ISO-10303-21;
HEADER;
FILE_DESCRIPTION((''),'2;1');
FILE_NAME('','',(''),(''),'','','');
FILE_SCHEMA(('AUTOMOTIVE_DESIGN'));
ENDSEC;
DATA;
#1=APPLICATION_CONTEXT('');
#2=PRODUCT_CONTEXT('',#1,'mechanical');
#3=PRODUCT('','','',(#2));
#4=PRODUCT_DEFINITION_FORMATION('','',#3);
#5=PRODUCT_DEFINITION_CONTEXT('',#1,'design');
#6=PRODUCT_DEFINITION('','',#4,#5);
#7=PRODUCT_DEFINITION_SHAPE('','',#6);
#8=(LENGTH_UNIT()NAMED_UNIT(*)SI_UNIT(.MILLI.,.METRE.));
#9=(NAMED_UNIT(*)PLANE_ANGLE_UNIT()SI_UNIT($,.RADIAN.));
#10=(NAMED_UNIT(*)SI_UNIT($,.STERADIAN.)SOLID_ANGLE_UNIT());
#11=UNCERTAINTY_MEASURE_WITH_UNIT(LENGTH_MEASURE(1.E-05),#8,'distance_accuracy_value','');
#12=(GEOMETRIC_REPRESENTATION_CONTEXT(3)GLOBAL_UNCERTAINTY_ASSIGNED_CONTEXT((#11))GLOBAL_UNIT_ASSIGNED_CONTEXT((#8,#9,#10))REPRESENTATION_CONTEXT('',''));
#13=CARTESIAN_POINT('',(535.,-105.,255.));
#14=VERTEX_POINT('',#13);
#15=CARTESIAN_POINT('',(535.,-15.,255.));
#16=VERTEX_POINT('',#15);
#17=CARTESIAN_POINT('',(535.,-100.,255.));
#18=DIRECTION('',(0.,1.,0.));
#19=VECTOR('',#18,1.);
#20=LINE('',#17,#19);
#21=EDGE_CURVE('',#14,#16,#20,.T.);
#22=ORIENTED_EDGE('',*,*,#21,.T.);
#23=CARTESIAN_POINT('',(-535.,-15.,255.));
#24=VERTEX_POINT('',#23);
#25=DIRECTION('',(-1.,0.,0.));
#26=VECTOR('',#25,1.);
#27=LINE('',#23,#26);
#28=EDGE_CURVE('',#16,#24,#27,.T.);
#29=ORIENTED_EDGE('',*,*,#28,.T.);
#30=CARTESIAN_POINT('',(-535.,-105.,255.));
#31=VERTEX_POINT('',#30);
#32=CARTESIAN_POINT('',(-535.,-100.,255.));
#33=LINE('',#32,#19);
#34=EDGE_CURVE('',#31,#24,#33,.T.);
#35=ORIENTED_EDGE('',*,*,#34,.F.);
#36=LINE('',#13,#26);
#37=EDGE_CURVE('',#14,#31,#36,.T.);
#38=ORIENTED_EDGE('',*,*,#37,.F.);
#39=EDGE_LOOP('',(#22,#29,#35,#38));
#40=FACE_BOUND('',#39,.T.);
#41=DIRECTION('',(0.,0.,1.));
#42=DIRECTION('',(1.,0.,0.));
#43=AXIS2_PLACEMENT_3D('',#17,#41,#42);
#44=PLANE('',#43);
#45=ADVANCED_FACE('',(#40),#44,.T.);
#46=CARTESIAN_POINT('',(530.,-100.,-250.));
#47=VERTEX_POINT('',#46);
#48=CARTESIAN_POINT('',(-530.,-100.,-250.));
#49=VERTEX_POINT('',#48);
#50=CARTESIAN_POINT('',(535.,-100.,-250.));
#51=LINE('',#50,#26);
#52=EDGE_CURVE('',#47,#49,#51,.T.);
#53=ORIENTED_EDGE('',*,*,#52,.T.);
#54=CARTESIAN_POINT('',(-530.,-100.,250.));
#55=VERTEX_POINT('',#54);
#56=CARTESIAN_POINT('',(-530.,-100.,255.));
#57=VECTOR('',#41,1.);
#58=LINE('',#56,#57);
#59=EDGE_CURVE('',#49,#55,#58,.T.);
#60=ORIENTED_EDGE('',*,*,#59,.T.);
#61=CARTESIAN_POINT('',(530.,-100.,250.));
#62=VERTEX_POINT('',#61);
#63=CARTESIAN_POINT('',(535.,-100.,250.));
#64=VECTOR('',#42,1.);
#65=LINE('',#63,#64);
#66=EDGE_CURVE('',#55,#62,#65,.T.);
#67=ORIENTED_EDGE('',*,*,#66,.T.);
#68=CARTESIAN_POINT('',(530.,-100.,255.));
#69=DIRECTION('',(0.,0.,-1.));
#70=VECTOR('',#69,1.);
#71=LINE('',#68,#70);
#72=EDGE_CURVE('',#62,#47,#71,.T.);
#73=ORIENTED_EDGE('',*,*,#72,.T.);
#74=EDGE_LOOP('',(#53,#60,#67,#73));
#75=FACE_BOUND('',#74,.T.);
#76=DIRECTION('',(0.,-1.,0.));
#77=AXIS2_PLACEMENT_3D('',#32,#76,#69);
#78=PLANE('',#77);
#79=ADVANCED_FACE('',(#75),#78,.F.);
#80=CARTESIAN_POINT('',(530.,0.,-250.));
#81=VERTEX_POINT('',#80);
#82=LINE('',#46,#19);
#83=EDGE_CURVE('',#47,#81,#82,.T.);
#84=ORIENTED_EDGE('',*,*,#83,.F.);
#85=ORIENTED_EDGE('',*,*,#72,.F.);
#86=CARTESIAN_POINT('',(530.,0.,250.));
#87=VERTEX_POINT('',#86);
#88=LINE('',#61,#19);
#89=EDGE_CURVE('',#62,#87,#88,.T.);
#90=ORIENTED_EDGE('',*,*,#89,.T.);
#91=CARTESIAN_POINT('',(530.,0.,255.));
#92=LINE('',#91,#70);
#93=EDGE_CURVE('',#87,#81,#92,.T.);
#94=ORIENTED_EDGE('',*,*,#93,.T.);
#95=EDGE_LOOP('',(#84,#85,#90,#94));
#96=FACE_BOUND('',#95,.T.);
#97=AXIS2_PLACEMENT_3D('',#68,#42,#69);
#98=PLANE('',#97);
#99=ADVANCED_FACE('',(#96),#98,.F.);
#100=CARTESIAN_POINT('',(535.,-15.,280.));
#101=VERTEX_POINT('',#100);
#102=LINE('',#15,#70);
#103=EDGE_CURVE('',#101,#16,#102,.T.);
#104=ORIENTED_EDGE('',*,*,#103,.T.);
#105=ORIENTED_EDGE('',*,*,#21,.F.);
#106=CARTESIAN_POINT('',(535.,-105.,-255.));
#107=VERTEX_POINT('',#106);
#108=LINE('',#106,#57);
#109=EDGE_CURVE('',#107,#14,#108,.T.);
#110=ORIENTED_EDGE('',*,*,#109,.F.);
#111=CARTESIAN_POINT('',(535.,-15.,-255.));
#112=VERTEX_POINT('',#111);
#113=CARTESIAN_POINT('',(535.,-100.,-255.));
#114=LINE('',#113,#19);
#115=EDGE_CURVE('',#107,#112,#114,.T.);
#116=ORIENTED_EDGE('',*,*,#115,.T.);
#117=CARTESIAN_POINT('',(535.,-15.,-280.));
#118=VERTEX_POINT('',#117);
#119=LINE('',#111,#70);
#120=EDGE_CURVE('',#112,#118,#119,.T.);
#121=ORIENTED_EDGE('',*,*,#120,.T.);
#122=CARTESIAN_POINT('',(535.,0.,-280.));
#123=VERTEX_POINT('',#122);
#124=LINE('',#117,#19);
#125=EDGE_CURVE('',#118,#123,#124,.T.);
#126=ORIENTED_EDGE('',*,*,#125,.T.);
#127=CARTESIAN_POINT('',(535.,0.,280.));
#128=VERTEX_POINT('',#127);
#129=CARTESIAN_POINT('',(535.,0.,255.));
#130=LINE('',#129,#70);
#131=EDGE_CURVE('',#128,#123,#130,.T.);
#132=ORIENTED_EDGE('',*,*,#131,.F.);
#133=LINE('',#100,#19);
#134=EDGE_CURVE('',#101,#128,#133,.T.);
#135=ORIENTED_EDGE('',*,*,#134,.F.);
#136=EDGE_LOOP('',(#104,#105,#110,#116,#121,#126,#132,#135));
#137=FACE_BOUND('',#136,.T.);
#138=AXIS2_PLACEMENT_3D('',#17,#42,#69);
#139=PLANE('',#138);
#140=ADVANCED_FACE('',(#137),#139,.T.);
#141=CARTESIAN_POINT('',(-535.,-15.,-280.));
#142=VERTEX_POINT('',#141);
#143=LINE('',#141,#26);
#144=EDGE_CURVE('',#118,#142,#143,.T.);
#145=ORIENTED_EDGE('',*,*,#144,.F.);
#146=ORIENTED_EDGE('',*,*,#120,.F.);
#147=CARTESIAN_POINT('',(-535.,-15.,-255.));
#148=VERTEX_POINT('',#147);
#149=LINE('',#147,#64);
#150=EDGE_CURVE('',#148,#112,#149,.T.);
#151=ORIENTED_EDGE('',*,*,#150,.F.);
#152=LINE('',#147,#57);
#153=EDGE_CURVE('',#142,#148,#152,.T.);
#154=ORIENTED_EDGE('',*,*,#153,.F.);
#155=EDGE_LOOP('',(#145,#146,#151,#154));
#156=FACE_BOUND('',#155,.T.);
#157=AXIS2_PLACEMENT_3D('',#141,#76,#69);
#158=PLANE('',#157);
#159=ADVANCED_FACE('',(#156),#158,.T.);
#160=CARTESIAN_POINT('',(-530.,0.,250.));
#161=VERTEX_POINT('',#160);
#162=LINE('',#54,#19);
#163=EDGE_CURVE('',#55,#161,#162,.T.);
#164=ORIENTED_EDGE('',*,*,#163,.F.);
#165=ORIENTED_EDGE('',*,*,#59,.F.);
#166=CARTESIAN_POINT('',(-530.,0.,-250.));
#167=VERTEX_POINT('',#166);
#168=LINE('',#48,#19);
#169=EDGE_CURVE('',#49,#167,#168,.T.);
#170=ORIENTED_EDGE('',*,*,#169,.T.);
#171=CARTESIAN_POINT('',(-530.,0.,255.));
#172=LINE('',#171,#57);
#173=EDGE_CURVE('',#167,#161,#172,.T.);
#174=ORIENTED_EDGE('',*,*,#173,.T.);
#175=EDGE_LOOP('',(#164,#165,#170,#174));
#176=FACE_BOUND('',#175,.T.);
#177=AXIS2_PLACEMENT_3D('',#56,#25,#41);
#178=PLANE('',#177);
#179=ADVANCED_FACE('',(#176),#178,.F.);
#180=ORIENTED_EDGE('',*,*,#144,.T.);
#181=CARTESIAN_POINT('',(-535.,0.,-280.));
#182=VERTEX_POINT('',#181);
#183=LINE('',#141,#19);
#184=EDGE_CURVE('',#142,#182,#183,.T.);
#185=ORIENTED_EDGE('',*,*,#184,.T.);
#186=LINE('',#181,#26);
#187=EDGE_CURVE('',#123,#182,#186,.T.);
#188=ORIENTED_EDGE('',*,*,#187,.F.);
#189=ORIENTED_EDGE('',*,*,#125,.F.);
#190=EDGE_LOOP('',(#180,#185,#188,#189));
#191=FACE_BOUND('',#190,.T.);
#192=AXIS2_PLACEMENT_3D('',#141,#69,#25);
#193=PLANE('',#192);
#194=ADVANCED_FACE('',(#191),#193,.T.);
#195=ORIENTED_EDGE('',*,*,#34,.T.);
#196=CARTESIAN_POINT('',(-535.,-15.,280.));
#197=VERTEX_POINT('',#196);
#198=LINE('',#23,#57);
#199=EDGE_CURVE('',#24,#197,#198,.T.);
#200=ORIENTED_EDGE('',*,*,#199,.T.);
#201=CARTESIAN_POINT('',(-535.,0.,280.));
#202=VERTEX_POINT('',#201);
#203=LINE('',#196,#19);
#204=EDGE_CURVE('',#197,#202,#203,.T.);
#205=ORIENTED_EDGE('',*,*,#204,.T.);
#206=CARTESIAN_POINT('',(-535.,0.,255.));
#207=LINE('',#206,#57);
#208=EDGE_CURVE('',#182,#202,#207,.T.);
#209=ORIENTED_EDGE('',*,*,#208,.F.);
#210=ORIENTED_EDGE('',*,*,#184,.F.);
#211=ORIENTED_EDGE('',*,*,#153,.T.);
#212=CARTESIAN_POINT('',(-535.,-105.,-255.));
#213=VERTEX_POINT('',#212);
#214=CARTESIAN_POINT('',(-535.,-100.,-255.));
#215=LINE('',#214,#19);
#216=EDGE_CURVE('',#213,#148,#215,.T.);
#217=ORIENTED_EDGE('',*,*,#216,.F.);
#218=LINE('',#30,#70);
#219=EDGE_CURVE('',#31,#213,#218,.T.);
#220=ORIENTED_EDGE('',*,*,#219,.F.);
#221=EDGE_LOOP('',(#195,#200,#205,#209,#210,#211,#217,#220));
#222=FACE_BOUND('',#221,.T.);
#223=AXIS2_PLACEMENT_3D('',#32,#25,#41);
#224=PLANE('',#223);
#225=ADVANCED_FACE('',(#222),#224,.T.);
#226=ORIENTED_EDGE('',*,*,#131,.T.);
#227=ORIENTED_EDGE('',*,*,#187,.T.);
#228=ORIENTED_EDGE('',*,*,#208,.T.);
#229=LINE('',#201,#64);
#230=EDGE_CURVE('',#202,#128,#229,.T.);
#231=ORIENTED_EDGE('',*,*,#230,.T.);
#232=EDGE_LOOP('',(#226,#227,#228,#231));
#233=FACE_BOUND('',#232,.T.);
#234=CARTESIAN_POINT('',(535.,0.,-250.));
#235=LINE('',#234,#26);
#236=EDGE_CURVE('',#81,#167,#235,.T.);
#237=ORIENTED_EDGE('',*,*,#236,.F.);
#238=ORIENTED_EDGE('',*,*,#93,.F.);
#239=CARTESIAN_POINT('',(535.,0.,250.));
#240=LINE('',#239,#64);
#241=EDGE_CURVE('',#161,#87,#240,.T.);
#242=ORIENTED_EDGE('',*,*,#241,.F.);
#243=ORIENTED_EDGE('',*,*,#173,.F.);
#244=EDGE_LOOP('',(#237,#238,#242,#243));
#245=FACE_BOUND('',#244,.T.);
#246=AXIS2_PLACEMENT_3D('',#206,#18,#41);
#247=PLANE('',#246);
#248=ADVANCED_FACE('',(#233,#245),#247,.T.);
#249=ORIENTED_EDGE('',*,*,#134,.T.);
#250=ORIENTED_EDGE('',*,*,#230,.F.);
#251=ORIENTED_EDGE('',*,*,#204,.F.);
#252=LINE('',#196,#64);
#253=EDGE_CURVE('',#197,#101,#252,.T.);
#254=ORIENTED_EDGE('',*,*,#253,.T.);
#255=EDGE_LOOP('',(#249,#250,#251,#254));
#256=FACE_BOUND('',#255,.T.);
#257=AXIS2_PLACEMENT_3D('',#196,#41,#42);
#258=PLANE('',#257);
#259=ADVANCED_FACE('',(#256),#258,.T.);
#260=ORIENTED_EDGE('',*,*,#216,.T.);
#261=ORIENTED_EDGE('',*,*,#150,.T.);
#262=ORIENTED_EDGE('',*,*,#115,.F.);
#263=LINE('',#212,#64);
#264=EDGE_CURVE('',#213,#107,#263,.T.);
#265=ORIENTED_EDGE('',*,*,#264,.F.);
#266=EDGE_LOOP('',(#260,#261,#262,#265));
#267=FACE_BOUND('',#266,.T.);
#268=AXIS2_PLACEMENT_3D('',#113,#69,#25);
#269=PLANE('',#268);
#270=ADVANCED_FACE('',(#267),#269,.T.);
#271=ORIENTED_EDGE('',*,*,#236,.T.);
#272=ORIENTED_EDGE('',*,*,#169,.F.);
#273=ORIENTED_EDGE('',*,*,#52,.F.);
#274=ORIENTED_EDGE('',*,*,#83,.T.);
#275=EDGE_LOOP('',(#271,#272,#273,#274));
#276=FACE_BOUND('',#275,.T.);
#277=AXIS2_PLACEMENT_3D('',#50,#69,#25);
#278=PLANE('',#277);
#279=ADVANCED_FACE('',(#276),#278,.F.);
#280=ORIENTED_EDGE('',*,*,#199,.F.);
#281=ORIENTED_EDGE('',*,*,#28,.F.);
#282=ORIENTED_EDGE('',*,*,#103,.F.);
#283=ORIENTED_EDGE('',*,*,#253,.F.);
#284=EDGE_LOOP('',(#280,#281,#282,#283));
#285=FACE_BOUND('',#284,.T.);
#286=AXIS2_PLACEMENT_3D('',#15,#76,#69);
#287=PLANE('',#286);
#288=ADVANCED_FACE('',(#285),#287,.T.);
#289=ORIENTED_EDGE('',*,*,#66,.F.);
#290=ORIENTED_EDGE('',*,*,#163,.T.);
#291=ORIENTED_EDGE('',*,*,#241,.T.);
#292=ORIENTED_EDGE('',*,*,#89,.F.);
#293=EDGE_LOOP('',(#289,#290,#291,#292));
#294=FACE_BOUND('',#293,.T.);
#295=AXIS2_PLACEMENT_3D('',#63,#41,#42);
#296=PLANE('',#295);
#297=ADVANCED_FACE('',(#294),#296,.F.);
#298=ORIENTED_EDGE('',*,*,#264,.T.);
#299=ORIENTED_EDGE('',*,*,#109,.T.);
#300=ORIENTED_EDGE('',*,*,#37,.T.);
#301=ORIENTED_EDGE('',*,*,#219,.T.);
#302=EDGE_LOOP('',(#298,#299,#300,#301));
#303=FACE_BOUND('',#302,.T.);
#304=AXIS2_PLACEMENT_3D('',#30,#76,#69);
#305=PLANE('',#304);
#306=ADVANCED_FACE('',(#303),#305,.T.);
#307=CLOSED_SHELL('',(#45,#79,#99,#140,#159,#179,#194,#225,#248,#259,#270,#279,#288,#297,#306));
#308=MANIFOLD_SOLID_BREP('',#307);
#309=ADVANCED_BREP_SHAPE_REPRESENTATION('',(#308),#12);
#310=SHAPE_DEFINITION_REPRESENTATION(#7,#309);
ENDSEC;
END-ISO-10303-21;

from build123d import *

# Parameters (mm, degrees)
CROQUIS1_W            = 1070
CROQUIS1_H            = 510
CROQUIS1_W_2          = 1060
CROQUIS1_H_2          = 500
EXTRUIR_L_MINA1_DEPTH = 100
CROQUIS2_W            = 1070
CROQUIS2_H            = 510
EXTRUIR1_DEPTH        = 5
CROQUIS3_W            = 1070
CROQUIS3_H            = 25
EXTRUIR2_DEPTH        = 15


with BuildPart() as part:
    # Croquis1 → Extruir-Lámina1 (new body)
    with BuildSketch(Plane(origin=(0, 0, 0), x_dir=(1, 0, 0), z_dir=(0, 1, 0))):
        Rectangle(CROQUIS1_W, CROQUIS1_H)
        Rectangle(CROQUIS1_W_2, CROQUIS1_H_2, mode=Mode.SUBTRACT)
    extrude(amount=-EXTRUIR_L_MINA1_DEPTH)

    # Croquis2 → Extruir1 (add)
    with BuildSketch(Plane.XZ.offset(100)):
        Rectangle(CROQUIS2_W, CROQUIS2_H)
    extrude(amount=EXTRUIR1_DEPTH)

    # Croquis3 → Extruir2 (add)
    with BuildSketch(Plane(origin=(0, 0, 0), x_dir=(1, 0, 0), z_dir=(0, 1, 0))):
        with Locations((0, 267.5)):
            Rectangle(CROQUIS3_W, CROQUIS3_H)
        with Locations((0, -267.5)):
            Rectangle(CROQUIS3_W, CROQUIS3_H)
    extrude(amount=-EXTRUIR2_DEPTH)


solid = part.part
